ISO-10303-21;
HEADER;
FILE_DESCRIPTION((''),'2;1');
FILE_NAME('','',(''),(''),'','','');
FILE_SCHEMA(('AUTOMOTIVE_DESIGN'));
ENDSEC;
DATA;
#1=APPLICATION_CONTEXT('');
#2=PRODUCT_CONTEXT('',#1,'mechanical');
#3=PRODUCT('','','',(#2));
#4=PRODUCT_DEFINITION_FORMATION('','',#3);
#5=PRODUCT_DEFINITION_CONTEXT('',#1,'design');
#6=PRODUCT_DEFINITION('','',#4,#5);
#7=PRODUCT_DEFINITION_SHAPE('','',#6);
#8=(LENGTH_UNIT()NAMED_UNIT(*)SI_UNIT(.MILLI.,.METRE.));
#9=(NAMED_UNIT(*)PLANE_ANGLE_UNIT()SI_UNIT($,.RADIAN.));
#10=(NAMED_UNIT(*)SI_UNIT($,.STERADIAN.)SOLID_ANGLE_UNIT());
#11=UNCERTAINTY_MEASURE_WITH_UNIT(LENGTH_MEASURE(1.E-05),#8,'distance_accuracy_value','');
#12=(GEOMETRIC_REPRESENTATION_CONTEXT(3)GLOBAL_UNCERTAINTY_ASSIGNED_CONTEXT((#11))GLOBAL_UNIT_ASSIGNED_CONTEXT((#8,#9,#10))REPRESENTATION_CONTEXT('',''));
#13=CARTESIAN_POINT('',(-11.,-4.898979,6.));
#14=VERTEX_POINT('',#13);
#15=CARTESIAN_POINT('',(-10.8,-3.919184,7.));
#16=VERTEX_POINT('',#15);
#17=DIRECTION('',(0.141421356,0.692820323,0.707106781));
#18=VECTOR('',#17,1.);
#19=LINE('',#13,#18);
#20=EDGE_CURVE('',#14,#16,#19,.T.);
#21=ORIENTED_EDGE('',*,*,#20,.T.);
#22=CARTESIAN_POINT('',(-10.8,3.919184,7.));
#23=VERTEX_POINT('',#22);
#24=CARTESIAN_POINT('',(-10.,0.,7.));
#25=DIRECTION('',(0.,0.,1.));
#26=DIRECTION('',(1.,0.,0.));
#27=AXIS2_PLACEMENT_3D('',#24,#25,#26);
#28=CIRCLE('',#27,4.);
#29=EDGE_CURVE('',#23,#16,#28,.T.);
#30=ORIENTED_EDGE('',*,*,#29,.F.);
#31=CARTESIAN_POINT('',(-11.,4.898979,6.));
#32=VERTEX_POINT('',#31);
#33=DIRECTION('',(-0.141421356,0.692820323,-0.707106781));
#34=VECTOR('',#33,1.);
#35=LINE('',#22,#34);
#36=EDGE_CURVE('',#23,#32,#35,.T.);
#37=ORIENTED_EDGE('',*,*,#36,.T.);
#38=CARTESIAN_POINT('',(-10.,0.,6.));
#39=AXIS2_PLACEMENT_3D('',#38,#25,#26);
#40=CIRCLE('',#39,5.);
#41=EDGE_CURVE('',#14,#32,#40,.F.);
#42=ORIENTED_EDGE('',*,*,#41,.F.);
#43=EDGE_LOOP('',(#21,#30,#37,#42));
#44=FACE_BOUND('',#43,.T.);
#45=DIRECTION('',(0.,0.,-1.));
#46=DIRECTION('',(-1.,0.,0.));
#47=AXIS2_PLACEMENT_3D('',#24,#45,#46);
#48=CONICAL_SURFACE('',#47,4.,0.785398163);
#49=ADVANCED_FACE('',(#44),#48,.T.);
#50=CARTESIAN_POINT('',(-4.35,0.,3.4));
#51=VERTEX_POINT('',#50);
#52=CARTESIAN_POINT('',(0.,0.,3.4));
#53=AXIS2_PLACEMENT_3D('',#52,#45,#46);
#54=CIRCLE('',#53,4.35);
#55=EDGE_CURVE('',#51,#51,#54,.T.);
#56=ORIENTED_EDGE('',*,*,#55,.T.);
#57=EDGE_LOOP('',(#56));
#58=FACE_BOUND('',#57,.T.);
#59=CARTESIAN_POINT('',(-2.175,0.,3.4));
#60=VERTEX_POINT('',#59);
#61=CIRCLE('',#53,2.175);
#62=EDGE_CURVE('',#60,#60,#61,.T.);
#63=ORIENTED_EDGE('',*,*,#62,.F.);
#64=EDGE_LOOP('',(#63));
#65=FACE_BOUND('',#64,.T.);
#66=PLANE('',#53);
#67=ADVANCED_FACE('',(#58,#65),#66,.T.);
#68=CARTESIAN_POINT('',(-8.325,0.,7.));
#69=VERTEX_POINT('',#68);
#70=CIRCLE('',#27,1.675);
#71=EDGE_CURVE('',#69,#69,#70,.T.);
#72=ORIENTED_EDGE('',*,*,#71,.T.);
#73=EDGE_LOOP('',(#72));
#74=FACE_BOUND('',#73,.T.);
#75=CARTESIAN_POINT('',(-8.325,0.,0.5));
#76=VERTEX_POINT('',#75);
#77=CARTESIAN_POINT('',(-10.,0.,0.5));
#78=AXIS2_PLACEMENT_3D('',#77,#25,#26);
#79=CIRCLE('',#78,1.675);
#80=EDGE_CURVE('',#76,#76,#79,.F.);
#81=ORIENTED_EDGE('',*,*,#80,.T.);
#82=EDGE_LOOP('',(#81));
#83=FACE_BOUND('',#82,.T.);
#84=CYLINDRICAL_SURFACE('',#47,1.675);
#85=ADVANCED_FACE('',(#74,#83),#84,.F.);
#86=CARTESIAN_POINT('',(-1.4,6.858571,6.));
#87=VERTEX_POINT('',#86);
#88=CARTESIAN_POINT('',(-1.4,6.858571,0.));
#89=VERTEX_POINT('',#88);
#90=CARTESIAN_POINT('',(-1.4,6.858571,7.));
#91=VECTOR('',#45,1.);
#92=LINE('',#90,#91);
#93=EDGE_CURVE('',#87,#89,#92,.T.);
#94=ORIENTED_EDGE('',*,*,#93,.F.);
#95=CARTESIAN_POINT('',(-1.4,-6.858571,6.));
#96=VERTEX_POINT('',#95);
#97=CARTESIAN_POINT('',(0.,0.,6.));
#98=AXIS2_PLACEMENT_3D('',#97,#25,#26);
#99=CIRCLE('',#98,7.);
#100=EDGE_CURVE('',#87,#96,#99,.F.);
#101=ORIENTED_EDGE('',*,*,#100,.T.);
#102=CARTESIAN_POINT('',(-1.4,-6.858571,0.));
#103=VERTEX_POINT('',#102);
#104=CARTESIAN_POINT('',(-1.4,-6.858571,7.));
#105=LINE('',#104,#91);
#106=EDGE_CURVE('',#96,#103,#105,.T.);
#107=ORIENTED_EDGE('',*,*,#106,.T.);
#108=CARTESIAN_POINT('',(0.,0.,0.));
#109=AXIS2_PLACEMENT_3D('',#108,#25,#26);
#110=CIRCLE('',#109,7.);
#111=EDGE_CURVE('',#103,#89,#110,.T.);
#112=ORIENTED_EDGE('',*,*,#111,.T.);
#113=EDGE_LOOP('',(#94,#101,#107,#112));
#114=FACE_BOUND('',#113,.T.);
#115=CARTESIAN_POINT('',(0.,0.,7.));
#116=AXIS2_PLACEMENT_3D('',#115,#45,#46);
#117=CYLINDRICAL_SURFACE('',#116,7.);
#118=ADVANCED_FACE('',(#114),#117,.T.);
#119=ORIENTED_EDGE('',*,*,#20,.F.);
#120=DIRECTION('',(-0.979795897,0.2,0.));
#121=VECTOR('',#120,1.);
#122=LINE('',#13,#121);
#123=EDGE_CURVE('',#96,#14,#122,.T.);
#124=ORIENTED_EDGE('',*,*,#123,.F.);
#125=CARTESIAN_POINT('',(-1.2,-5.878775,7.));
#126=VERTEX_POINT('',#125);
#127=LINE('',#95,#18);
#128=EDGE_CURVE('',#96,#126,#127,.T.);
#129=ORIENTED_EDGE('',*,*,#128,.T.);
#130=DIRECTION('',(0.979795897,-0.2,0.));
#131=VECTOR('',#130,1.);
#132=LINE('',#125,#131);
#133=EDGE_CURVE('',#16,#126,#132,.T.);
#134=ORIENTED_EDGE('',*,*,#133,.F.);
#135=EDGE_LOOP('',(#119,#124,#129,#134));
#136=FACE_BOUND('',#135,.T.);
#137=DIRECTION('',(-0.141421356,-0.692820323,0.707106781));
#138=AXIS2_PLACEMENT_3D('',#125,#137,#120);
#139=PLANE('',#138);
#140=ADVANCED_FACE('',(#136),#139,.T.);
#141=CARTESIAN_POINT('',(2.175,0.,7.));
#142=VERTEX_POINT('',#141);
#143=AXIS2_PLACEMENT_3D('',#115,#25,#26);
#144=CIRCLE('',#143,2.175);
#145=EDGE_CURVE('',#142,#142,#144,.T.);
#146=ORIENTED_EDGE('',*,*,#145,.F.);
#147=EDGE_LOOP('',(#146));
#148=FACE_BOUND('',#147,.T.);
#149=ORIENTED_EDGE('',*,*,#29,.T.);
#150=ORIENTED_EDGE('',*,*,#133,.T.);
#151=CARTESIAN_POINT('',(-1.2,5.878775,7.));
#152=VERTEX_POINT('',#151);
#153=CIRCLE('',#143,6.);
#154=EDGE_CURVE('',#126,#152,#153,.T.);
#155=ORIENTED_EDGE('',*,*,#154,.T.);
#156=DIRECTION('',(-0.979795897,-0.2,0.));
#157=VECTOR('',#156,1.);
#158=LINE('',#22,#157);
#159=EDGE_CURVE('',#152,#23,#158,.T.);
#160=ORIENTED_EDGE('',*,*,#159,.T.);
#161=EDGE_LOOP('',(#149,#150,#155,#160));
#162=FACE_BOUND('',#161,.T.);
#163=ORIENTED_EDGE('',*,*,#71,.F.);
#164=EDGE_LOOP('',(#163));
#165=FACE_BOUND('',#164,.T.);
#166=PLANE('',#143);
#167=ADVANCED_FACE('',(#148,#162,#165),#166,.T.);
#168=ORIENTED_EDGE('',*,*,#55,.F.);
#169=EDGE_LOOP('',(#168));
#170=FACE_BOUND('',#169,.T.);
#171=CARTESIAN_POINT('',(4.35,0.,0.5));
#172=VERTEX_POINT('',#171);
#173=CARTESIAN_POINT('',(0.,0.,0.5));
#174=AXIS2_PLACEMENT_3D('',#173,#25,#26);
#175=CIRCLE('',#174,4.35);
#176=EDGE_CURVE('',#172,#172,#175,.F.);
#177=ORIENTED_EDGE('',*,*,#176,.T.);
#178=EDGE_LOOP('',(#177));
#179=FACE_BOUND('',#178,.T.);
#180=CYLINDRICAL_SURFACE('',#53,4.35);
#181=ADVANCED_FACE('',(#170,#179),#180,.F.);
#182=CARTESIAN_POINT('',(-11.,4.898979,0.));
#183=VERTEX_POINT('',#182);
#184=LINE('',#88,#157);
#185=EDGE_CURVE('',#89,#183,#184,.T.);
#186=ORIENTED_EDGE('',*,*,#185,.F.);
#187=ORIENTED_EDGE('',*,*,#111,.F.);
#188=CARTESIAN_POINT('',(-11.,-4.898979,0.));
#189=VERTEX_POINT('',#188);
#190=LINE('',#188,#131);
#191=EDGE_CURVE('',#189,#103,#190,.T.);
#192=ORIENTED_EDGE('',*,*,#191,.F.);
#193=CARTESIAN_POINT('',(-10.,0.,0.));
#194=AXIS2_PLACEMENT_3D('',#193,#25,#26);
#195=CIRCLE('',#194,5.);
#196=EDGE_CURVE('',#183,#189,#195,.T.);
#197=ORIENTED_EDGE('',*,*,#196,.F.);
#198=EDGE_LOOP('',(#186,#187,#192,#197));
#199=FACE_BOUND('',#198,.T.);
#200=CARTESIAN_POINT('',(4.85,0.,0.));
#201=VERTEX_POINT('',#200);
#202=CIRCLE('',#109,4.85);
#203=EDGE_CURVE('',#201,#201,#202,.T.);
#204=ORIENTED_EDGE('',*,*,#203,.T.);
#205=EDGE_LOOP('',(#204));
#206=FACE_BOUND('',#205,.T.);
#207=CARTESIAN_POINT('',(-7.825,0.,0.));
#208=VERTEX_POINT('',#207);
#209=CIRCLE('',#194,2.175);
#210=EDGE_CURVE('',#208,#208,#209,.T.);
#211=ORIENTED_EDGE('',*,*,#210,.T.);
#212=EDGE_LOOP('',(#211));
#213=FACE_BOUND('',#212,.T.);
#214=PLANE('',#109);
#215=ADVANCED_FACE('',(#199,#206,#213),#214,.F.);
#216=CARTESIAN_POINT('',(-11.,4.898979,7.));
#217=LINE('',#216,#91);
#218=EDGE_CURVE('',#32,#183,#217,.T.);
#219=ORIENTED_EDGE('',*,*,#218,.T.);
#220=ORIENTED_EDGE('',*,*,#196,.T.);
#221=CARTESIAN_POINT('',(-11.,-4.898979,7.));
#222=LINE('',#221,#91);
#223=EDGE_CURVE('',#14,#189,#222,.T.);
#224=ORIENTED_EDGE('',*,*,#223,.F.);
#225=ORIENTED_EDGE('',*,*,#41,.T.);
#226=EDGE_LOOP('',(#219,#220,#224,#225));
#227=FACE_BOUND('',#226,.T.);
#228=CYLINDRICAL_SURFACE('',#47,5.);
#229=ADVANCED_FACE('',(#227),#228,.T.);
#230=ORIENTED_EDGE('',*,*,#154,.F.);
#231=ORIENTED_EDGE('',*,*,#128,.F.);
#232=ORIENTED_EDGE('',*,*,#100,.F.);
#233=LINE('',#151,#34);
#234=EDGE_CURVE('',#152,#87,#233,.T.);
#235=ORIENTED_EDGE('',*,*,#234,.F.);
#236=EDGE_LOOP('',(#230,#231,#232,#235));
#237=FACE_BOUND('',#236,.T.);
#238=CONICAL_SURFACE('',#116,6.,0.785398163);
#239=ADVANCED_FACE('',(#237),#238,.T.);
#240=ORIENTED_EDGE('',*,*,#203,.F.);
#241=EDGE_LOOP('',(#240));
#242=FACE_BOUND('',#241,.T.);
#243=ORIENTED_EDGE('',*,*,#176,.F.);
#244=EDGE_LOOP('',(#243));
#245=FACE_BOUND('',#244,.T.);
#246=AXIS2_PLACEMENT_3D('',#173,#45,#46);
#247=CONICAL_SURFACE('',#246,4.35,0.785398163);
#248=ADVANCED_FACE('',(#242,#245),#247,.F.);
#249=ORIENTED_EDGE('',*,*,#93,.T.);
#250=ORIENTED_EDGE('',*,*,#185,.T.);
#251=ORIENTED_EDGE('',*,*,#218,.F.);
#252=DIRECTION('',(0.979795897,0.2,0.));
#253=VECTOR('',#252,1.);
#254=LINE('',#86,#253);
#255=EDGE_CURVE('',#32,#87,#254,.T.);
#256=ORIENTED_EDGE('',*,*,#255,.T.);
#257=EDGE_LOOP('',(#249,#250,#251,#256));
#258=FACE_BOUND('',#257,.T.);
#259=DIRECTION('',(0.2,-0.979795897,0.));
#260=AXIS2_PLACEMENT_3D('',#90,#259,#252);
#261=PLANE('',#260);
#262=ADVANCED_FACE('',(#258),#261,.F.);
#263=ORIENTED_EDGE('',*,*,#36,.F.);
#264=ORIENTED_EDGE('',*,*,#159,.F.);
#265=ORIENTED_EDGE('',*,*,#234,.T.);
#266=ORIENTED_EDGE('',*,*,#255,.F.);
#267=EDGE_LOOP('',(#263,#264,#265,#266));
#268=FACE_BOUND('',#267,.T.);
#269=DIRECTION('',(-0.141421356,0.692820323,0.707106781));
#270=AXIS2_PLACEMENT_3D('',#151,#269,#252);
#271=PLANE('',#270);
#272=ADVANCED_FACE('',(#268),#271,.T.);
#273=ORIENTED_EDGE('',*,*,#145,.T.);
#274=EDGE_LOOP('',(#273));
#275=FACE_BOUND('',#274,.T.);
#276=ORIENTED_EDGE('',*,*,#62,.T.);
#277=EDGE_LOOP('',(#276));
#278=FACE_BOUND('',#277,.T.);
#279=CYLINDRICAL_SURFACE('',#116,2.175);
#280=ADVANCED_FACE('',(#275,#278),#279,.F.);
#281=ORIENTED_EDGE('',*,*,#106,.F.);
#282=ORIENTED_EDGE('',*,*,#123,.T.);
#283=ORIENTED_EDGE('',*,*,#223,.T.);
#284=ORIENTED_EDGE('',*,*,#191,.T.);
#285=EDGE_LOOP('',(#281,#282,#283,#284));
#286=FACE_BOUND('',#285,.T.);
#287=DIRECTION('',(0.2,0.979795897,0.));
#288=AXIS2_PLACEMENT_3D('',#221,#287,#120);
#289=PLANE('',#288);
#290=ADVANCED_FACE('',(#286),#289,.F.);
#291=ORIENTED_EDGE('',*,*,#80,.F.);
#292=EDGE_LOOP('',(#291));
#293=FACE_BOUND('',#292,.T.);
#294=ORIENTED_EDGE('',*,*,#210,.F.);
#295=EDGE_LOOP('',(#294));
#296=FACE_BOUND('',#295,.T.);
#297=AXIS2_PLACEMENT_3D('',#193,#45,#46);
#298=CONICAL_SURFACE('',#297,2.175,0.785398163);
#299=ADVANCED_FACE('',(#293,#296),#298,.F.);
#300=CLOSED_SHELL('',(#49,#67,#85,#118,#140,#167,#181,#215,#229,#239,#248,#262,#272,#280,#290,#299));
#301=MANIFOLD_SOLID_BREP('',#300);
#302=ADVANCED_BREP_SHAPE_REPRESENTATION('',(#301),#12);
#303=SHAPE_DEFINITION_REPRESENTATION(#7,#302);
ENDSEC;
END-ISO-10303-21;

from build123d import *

# Parameters (mm, degrees)
SKETCH1_R           = 2.175
SKETCH1_R_2         = 1.675
BOSS_EXTRUDE1_DEPTH = 7
SKETCH2_R           = 4.35
CUT_EXTRUDE1_DEPTH  = 3.4
CHAMFER1_SIZE       = 1
CHAMFER2_SIZE       = 0.5


with BuildPart() as part:
    # Sketch1 → Boss-Extrude1 (new body)
    with BuildSketch(Plane.XY):
        with BuildLine():
            Line((-1.4, 6.85857128), (-11, 4.898979486))
            ThreePointArc((-11, 4.898979486), (-15, 0), (-11, -4.898979486))
            Line((-11, -4.898979486), (-1.4, -6.85857128))
            ThreePointArc((-1.4, -6.85857128), (7, 0), (-1.4, 6.85857128))
        make_face()
        Circle(SKETCH1_R, mode=Mode.SUBTRACT)
        with Locations((-10, 0)):
            Circle(SKETCH1_R_2, mode=Mode.SUBTRACT)
    extrude(amount=BOSS_EXTRUDE1_DEPTH)

    # Sketch2 → Cut-Extrude1 (cut)
    with BuildSketch(Plane(origin=(0, 0, 0), x_dir=(-1, 0, 0), z_dir=(0, 0, -1))):
        Circle(SKETCH2_R)
    extrude(amount=-CUT_EXTRUDE1_DEPTH, mode=Mode.SUBTRACT)

    # Chamfer1
    chamfer1_edges = [part.edges().sort_by_distance(p)[0] for p in [
        (-15, 0, 7),
        (-6.2, -5.878775383, 7),
        (7, 0, 7),
        (-6.2, 5.878775383, 7),
    ]]
    chamfer(chamfer1_edges, length=CHAMFER1_SIZE)

    # Chamfer2
    chamfer2_edges = [part.edges().sort_by_distance(p)[0] for p in [
        (-11.675, 0, 0),
        (4.35, 0, 0),
    ]]
    chamfer(chamfer2_edges, length=CHAMFER2_SIZE)


solid = part.part
